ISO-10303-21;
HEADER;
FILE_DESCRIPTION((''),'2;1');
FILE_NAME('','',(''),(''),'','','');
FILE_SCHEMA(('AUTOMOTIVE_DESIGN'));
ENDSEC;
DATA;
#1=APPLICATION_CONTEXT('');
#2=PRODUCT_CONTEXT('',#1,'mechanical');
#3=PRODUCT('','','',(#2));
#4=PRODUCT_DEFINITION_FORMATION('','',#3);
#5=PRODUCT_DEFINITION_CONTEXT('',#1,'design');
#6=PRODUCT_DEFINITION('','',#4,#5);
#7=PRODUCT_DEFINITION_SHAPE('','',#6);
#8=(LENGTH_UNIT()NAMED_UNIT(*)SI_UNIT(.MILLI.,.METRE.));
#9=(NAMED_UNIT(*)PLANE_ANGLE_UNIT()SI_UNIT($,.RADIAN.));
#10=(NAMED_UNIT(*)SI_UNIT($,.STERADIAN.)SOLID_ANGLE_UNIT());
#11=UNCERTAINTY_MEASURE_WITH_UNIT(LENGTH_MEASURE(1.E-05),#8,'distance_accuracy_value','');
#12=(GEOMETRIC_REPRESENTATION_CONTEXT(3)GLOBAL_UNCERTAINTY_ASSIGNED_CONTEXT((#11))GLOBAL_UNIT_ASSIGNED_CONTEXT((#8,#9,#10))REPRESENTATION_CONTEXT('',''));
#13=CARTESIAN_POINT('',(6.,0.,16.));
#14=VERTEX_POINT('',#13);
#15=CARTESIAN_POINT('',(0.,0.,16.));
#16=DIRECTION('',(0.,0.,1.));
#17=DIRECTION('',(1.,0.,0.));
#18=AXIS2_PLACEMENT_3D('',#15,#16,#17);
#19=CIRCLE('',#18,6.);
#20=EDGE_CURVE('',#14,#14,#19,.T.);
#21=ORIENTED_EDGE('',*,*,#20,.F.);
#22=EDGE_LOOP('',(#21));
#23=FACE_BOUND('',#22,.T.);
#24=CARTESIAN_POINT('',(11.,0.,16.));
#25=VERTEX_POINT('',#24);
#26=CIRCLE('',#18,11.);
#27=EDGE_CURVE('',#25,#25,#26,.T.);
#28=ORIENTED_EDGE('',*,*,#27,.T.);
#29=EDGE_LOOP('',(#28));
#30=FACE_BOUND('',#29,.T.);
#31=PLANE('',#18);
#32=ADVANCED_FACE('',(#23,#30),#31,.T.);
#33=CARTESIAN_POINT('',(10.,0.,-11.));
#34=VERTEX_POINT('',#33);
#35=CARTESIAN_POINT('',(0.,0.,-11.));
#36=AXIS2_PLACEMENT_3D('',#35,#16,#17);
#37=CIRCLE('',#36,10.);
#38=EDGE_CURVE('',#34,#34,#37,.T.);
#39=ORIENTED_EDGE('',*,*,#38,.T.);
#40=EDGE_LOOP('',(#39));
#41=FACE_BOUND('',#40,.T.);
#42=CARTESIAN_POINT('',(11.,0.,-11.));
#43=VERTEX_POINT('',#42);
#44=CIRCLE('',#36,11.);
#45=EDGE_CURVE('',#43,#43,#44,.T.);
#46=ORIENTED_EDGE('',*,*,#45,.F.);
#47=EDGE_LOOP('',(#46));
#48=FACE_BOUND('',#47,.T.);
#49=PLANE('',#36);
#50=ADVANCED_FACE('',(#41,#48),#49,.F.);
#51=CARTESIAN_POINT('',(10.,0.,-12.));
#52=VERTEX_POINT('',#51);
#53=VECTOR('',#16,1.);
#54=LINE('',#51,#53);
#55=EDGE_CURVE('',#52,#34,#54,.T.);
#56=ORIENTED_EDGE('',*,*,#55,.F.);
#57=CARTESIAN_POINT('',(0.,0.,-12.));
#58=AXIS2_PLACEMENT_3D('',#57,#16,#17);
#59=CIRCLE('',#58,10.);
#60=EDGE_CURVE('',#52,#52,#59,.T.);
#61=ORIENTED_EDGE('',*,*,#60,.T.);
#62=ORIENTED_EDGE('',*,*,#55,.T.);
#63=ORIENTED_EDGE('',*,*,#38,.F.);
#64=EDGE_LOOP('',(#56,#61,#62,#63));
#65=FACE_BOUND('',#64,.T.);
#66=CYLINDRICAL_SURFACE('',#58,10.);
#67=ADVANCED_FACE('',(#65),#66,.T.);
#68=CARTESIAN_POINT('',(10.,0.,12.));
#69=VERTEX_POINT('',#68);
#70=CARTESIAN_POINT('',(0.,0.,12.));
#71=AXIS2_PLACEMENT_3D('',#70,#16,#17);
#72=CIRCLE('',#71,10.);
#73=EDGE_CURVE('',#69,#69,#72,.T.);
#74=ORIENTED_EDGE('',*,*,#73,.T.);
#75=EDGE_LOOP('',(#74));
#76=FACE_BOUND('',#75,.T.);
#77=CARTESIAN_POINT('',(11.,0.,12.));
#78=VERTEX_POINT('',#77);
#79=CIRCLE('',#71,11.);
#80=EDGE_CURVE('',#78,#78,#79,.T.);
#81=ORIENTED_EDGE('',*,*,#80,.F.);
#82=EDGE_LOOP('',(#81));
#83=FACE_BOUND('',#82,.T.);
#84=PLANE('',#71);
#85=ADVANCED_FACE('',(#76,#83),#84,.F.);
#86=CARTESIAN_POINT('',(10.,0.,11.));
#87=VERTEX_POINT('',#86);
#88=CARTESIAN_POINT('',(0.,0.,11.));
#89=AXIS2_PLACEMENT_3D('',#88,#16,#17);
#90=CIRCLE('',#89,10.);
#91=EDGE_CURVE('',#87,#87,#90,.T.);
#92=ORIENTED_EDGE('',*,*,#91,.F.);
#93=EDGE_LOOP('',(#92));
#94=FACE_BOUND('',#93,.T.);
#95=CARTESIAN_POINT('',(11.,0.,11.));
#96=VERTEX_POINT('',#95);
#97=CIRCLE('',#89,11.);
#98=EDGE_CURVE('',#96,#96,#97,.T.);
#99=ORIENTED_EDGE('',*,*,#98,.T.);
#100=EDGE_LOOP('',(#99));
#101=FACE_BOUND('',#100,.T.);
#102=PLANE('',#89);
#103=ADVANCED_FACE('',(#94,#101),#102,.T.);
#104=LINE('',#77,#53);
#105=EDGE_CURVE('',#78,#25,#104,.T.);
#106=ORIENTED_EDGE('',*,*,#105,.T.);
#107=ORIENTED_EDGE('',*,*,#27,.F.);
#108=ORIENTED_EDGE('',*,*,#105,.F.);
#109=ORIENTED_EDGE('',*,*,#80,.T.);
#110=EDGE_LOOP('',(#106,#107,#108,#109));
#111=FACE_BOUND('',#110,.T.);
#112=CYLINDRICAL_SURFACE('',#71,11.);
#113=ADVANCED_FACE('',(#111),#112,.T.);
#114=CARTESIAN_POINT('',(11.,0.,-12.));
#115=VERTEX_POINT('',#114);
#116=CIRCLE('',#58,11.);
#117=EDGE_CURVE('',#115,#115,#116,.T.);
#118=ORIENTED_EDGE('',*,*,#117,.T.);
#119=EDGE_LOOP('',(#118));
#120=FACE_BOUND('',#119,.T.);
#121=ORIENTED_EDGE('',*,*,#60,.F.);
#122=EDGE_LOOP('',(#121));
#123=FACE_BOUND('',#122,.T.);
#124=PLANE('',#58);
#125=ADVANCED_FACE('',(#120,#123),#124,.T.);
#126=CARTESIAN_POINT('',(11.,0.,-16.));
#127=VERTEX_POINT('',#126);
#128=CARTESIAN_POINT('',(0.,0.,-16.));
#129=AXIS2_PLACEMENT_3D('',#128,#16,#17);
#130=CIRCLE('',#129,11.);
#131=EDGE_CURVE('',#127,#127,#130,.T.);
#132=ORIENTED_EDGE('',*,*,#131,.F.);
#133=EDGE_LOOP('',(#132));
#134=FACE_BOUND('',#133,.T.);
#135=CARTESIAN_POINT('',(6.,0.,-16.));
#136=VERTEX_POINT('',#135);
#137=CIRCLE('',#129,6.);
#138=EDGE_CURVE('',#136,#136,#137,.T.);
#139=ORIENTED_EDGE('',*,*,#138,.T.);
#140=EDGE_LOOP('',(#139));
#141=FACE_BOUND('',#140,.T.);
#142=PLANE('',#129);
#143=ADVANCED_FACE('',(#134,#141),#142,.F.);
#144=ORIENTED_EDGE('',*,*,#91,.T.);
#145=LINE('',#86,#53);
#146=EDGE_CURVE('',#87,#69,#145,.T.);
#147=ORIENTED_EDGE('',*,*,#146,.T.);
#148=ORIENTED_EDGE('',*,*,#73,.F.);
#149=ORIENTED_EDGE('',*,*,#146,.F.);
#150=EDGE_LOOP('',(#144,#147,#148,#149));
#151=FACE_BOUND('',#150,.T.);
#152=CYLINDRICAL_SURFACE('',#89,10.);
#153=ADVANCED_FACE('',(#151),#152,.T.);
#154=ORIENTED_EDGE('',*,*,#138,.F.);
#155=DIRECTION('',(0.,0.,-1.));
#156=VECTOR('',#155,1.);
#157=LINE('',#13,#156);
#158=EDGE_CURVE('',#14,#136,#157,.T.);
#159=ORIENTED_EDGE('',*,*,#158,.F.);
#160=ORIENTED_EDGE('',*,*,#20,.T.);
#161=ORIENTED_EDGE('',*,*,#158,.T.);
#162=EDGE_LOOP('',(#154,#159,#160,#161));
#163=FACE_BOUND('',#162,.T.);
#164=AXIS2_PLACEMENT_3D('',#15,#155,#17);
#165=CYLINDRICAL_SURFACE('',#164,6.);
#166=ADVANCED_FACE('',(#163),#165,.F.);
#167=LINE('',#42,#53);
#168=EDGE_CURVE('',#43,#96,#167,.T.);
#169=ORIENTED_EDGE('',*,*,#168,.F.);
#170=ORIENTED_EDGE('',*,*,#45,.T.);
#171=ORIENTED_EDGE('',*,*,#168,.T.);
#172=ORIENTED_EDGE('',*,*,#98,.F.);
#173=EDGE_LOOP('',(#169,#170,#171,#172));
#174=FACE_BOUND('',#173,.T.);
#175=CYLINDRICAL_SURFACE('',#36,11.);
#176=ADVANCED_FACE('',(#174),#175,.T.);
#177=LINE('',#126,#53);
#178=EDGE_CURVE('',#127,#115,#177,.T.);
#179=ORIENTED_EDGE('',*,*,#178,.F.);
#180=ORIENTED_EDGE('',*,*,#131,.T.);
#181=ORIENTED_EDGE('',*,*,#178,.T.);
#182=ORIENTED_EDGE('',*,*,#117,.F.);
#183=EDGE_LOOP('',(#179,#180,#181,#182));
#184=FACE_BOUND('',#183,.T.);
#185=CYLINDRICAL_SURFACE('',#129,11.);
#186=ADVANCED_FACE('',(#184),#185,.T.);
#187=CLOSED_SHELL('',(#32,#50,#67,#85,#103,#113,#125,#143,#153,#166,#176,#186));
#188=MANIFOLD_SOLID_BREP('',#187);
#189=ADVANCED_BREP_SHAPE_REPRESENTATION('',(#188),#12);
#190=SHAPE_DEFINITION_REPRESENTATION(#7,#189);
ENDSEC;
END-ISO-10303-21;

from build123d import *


with BuildPart() as part:
    # Sketch → Revolution (revolve)
    with BuildSketch(Plane.XZ):
        Polygon((6, 16), (6, -16), (11, -16), (11, -12), (10, -12), (10, -11), (11, -11), (11, 11), (10, 11), (10, 12), (11, 12), (11, 16), align=None)
    revolve(axis=Axis((0, 0, 0), (0, 0, 1)))


solid = part.part
